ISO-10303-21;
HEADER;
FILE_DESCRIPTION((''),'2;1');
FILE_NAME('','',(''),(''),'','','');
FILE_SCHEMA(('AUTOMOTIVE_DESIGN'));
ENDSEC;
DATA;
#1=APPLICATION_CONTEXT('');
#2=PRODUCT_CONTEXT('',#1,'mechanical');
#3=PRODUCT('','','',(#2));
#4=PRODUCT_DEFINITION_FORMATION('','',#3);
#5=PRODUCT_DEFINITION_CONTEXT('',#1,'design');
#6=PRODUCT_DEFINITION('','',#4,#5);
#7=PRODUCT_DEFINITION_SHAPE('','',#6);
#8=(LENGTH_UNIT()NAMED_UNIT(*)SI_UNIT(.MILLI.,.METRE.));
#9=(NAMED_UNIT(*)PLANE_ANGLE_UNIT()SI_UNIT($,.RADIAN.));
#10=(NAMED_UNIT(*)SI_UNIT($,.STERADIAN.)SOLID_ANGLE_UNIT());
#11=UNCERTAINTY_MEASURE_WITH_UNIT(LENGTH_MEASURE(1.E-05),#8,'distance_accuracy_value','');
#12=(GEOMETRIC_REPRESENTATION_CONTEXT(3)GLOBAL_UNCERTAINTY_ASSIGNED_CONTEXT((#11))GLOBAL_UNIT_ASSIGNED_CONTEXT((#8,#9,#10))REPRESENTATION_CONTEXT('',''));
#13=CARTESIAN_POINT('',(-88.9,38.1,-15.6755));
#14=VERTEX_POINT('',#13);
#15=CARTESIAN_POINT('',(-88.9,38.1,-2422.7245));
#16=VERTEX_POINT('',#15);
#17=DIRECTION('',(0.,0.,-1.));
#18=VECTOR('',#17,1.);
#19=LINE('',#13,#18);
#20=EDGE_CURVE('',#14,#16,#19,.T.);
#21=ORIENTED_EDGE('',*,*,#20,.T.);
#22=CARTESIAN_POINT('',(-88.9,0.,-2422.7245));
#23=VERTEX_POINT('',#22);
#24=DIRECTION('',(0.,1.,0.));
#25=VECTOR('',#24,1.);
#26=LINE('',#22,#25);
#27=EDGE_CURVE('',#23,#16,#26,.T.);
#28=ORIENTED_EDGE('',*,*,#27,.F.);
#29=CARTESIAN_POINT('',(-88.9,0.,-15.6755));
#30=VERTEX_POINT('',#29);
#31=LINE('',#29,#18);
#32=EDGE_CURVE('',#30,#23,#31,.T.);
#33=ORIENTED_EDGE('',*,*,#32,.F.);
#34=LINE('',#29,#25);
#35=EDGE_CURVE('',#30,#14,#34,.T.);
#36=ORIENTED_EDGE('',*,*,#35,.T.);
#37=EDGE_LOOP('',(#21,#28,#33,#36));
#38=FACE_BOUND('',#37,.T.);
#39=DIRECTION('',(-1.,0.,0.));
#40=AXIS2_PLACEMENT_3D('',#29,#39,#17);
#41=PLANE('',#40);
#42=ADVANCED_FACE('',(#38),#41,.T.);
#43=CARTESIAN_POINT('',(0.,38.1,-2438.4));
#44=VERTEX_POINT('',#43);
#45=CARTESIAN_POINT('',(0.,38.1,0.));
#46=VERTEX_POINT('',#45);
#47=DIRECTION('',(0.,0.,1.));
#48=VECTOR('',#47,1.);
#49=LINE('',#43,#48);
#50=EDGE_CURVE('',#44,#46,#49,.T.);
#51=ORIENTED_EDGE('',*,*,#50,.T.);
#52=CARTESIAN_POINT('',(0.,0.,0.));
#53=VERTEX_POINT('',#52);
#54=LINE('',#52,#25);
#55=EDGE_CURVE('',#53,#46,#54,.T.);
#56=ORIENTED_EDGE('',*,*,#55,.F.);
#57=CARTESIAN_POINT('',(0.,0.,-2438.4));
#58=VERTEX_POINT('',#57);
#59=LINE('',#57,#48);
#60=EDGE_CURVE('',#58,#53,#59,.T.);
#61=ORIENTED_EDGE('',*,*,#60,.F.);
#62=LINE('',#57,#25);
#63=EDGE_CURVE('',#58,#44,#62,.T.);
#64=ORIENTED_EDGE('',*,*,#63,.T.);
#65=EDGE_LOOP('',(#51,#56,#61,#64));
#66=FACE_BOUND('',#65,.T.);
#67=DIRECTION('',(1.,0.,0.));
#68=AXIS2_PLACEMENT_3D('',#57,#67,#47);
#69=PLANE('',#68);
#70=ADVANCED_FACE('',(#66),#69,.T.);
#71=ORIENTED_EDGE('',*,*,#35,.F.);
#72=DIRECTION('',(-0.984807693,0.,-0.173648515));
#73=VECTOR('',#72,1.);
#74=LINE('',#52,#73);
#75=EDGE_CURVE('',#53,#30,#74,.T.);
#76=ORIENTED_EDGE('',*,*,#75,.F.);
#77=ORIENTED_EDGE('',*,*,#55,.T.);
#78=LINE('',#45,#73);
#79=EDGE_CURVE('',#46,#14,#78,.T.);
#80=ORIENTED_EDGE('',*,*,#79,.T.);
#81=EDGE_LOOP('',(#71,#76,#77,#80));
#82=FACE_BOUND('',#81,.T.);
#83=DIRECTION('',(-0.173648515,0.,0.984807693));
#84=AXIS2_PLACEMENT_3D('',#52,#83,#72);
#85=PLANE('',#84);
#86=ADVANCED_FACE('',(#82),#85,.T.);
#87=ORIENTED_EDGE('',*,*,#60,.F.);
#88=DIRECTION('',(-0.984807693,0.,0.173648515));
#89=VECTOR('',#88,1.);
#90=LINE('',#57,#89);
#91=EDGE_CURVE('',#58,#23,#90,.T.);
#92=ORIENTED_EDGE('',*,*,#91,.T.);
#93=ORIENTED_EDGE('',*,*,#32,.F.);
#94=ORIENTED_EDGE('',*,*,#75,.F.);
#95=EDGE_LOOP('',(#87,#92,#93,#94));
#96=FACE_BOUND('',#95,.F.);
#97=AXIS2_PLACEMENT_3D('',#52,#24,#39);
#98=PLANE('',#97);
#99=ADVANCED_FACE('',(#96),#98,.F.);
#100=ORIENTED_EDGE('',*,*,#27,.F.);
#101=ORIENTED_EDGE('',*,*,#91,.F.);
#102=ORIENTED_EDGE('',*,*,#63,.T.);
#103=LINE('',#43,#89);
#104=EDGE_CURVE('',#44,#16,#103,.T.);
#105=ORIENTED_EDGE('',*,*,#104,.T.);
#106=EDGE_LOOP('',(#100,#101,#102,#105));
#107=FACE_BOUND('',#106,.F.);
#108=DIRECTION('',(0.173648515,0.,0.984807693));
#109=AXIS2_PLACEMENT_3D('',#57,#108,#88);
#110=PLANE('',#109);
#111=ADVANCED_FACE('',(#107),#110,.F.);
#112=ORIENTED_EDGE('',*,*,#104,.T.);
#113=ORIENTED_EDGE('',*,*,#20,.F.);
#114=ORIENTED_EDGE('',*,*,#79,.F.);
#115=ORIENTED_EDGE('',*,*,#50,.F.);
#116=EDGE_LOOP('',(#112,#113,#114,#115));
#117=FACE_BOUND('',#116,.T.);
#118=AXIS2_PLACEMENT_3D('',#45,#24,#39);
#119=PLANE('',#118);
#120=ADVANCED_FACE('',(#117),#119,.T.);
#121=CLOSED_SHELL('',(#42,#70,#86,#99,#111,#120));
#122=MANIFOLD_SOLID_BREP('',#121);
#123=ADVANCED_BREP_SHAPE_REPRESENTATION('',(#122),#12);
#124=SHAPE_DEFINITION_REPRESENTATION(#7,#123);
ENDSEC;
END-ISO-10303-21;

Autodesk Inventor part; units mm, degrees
ref_plane "YZ Plane" through (0, 0, 0) normal (1, 0, 0) x (0, 1, 0)
ref_plane "XZ Plane" through (0, 0, 0) normal (0, 1, 0) x (-1, 0, 0)
ref_plane "XY Plane" through (0, 0, 0) normal (0, 0, 1) x (1, 0, 0)
sketch "Sketch1" plane through (0, 0, 0) normal (0, 1, 0) x (-1, 0, 0)
  line L0 (0, -2438.4) -> (0, 0)
  line L1 (0, 0) -> (88.9, -15.6755)
  line L2 (0, 0) -> (116.206, 0) construction
  line L3 (0, -2438.4) -> (88.9, -2422.7245)
  line L4 (88.9, -15.6755) -> (88.9, -2422.7245)
extrude "Extrusion1" add sketch "Sketch1" along normal blind 38.1
properties part number "S_2x4x96b"
